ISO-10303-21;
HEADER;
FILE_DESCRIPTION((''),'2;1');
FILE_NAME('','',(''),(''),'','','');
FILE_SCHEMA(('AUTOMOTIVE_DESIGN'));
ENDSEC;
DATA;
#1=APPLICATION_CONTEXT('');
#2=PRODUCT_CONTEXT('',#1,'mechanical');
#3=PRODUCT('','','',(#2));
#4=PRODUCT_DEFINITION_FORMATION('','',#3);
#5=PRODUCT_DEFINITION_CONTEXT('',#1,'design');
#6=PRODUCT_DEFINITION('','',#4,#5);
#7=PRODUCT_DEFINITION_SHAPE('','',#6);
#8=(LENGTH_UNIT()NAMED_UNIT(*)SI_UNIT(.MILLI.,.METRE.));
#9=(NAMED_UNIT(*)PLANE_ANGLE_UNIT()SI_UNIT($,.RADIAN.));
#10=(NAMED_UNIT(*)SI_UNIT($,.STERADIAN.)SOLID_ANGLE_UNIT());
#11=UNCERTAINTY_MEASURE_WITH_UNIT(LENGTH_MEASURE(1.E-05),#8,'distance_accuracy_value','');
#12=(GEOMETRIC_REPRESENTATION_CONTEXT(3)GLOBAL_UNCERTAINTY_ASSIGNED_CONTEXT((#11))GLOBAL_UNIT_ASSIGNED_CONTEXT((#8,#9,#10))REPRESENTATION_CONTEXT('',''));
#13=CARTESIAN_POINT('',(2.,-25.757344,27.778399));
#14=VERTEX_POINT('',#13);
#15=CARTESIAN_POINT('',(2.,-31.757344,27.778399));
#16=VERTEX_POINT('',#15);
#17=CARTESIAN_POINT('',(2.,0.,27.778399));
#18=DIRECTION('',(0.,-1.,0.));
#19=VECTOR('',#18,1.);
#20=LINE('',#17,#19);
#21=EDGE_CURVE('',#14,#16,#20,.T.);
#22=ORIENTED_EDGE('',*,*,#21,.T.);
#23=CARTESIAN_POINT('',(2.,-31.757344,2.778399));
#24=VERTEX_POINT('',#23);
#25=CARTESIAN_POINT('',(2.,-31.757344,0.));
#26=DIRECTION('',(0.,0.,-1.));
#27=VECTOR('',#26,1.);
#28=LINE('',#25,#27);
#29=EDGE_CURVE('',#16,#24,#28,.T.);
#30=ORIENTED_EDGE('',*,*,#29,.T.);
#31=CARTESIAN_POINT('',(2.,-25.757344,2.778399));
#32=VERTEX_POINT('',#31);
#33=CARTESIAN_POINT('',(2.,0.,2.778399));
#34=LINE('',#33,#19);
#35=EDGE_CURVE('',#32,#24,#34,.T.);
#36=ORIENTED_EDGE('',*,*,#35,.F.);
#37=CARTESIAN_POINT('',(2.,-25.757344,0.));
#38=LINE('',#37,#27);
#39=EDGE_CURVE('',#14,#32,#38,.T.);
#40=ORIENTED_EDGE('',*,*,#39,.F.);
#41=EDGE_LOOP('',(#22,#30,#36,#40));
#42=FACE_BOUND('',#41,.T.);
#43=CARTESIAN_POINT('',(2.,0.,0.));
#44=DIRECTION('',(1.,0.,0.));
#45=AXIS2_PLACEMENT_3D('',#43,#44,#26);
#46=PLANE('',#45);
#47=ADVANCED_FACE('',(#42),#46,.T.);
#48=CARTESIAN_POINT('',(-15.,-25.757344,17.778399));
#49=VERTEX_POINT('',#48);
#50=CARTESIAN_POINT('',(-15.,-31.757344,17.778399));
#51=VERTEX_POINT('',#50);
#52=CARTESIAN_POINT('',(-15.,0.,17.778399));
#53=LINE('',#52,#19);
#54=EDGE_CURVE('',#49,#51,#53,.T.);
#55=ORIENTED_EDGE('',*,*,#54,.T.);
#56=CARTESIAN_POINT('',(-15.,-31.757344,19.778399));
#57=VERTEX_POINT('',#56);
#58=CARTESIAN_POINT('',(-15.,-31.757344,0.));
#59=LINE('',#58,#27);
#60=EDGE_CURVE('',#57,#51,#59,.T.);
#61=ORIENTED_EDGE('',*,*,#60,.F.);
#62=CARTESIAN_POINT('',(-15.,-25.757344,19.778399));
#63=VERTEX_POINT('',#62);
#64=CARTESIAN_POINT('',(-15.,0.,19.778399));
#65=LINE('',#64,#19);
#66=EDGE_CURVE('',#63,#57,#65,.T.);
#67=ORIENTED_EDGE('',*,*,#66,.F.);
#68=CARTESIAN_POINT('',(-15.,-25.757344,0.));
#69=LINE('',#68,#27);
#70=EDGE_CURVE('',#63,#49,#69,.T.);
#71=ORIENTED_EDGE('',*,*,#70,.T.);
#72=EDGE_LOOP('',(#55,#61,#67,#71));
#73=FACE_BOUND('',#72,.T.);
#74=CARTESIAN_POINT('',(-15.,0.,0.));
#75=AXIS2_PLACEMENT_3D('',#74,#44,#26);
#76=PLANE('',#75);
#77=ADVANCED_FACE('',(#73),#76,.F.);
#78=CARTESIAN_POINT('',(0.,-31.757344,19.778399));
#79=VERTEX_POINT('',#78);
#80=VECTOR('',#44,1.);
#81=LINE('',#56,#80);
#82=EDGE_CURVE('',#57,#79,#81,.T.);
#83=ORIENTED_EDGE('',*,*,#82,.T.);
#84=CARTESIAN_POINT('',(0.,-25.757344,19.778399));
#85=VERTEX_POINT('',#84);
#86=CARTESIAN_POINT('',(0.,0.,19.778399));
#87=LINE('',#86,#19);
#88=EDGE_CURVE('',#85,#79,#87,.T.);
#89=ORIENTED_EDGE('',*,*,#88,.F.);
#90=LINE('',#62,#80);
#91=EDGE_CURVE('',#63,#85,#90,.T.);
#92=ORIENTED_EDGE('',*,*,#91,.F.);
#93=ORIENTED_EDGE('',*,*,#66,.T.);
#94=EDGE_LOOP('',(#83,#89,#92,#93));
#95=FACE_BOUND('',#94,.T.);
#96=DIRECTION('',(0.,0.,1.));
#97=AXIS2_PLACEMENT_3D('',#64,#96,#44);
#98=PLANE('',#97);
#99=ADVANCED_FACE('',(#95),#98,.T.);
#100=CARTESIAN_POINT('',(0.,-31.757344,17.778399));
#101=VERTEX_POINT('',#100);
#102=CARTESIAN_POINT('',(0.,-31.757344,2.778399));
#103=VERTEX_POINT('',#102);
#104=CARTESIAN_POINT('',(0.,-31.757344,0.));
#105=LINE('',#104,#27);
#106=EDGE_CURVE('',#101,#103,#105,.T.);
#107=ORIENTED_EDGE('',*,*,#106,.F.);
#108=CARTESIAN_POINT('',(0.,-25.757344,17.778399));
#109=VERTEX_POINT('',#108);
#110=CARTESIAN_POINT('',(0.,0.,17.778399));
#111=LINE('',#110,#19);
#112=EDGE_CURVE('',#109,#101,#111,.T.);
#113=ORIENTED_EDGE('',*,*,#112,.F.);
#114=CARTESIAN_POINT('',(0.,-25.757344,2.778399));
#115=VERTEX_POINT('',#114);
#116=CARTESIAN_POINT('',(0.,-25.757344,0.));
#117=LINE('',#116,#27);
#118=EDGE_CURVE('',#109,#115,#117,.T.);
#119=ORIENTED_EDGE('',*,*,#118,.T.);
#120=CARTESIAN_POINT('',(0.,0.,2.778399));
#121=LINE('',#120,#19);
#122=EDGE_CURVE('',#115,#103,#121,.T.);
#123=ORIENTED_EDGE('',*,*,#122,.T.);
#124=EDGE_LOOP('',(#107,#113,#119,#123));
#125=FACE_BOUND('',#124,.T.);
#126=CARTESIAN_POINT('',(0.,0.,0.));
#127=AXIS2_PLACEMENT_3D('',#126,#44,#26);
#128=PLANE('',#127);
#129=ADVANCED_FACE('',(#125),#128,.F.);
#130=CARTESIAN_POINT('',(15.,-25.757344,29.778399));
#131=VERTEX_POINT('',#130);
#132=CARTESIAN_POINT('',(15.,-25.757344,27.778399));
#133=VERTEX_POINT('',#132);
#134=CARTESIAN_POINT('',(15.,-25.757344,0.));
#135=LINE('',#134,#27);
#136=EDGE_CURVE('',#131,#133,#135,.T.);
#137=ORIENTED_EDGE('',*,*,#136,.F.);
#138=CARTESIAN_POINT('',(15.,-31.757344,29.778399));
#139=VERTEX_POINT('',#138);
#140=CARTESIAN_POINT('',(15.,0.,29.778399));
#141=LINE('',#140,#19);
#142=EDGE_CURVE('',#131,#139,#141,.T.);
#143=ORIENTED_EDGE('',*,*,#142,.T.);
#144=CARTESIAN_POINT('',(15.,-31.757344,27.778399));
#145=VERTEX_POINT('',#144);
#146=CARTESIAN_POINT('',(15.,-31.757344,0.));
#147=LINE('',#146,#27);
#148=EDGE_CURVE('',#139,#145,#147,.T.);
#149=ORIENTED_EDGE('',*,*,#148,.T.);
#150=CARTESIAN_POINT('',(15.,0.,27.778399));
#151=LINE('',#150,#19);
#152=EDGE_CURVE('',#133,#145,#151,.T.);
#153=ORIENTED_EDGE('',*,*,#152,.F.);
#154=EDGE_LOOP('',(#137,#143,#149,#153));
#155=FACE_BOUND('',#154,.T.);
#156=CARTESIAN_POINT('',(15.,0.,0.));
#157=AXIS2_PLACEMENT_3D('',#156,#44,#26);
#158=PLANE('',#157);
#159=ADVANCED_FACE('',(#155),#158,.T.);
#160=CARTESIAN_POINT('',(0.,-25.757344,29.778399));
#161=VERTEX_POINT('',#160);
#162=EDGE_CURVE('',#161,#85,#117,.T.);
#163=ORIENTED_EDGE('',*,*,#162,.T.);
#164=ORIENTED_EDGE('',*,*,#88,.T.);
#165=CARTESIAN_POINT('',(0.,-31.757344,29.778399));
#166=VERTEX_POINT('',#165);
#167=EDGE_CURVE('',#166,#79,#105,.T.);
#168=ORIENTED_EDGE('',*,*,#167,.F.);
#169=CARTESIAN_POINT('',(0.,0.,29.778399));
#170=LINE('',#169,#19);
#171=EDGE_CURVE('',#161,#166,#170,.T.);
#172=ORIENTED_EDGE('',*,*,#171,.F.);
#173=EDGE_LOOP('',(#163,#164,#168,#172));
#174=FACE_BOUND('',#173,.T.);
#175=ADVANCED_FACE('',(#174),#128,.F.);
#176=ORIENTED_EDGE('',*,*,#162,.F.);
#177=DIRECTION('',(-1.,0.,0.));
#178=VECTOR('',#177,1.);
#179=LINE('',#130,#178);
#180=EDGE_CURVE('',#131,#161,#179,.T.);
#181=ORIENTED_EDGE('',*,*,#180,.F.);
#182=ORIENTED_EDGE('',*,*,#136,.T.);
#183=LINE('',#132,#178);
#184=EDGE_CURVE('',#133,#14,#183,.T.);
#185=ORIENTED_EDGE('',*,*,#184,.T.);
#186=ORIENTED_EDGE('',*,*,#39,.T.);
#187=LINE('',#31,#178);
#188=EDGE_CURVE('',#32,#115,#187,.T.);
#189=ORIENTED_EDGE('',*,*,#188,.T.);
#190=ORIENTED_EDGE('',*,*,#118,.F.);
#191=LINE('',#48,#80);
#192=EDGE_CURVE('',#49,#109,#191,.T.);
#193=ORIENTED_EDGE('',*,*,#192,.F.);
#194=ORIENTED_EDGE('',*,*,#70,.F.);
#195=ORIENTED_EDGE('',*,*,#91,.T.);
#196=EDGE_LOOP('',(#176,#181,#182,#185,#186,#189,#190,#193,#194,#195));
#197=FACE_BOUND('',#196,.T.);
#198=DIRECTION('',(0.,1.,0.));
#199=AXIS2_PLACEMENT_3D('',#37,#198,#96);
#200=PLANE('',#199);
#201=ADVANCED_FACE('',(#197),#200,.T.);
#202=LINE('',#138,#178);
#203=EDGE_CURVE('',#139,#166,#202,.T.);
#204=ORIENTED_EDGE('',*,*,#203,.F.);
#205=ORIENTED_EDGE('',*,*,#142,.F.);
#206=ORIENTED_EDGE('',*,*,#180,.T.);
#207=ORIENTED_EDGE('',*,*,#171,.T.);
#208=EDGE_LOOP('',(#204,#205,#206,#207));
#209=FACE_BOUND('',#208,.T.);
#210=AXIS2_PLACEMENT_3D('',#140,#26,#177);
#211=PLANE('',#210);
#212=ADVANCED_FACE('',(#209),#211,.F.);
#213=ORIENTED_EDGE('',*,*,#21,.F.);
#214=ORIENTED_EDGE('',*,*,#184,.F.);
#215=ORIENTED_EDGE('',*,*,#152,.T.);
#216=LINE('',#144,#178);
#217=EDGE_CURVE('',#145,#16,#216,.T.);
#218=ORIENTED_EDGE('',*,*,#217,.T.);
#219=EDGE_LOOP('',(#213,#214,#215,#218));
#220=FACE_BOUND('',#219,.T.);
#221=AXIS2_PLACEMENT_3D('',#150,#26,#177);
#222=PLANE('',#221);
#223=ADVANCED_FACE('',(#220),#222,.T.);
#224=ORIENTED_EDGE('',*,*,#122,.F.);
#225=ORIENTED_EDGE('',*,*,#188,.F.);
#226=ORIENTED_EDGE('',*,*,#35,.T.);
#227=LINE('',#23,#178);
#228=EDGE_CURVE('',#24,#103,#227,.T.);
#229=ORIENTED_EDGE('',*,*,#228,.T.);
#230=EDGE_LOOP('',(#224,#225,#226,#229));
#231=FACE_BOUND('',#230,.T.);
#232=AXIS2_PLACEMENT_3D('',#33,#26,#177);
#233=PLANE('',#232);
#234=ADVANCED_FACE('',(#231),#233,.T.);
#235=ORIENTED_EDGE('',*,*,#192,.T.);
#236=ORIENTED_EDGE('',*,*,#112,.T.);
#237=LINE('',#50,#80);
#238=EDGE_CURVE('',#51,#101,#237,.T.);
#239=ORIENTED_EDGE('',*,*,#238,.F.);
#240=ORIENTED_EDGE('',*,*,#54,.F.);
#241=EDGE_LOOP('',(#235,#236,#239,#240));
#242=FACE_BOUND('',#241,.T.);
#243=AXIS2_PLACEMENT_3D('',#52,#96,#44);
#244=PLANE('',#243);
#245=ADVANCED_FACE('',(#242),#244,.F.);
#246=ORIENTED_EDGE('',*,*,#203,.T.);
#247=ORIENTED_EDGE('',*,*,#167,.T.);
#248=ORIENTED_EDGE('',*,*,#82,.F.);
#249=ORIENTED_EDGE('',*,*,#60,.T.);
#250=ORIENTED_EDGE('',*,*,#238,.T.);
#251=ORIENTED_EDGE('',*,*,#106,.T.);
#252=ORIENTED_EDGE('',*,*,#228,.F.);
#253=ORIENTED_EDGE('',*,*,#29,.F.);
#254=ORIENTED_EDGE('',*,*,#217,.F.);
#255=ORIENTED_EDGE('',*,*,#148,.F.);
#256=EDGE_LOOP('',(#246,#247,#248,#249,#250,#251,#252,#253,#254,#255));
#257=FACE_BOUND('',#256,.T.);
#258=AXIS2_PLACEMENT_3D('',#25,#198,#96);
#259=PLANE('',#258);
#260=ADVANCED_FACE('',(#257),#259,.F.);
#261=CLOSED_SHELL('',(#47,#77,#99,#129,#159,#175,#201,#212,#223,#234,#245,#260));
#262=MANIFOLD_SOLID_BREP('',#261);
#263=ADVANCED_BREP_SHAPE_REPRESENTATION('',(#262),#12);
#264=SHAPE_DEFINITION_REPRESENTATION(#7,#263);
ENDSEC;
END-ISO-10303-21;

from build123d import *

# Parameters (mm, degrees)
ESQUISSE1_W        = 25
ESQUISSE1_H        = 6
BOSS_EXTRU_2_DEPTH = 2
ESQUISSE1_4_W      = 2
ESQUISSE1_4_H      = 6
BOSS_EXTRU_3_DEPTH = 15
ESQUISSE1_5_W      = 2
ESQUISSE1_5_H      = 6
BOSS_EXTRU_4_DEPTH = 15


with BuildPart() as part:
    # Esquisse1 → Boss.-Extru.2 (new body)
    with BuildSketch(Plane(origin=(0, 0, 0), x_dir=(0, 0, -1), z_dir=(1, 0, 0))):
        with Locations((-15.278399311, -28.757343568)):
            Rectangle(ESQUISSE1_W, ESQUISSE1_H)
    extrude(amount=BOSS_EXTRU_2_DEPTH)

    # Esquisse1<4> → Boss.-Extru.3 (add)
    with BuildSketch(Plane(origin=(0, 0, 0), x_dir=(0, 0, -1), z_dir=(1, 0, 0))):
        with Locations((-28.778399311, -28.757343568)):
            Rectangle(ESQUISSE1_4_W, ESQUISSE1_4_H)
    extrude(amount=BOSS_EXTRU_3_DEPTH)

    # Esquisse1<5> → Boss.-Extru.4 (add)
    with BuildSketch(Plane(origin=(0, 0, 0), x_dir=(0, 0, -1), z_dir=(1, 0, 0))):
        with Locations((-18.778399311, -28.757343568)):
            Rectangle(ESQUISSE1_5_W, ESQUISSE1_5_H)
    extrude(amount=-BOSS_EXTRU_4_DEPTH)


solid = part.part
